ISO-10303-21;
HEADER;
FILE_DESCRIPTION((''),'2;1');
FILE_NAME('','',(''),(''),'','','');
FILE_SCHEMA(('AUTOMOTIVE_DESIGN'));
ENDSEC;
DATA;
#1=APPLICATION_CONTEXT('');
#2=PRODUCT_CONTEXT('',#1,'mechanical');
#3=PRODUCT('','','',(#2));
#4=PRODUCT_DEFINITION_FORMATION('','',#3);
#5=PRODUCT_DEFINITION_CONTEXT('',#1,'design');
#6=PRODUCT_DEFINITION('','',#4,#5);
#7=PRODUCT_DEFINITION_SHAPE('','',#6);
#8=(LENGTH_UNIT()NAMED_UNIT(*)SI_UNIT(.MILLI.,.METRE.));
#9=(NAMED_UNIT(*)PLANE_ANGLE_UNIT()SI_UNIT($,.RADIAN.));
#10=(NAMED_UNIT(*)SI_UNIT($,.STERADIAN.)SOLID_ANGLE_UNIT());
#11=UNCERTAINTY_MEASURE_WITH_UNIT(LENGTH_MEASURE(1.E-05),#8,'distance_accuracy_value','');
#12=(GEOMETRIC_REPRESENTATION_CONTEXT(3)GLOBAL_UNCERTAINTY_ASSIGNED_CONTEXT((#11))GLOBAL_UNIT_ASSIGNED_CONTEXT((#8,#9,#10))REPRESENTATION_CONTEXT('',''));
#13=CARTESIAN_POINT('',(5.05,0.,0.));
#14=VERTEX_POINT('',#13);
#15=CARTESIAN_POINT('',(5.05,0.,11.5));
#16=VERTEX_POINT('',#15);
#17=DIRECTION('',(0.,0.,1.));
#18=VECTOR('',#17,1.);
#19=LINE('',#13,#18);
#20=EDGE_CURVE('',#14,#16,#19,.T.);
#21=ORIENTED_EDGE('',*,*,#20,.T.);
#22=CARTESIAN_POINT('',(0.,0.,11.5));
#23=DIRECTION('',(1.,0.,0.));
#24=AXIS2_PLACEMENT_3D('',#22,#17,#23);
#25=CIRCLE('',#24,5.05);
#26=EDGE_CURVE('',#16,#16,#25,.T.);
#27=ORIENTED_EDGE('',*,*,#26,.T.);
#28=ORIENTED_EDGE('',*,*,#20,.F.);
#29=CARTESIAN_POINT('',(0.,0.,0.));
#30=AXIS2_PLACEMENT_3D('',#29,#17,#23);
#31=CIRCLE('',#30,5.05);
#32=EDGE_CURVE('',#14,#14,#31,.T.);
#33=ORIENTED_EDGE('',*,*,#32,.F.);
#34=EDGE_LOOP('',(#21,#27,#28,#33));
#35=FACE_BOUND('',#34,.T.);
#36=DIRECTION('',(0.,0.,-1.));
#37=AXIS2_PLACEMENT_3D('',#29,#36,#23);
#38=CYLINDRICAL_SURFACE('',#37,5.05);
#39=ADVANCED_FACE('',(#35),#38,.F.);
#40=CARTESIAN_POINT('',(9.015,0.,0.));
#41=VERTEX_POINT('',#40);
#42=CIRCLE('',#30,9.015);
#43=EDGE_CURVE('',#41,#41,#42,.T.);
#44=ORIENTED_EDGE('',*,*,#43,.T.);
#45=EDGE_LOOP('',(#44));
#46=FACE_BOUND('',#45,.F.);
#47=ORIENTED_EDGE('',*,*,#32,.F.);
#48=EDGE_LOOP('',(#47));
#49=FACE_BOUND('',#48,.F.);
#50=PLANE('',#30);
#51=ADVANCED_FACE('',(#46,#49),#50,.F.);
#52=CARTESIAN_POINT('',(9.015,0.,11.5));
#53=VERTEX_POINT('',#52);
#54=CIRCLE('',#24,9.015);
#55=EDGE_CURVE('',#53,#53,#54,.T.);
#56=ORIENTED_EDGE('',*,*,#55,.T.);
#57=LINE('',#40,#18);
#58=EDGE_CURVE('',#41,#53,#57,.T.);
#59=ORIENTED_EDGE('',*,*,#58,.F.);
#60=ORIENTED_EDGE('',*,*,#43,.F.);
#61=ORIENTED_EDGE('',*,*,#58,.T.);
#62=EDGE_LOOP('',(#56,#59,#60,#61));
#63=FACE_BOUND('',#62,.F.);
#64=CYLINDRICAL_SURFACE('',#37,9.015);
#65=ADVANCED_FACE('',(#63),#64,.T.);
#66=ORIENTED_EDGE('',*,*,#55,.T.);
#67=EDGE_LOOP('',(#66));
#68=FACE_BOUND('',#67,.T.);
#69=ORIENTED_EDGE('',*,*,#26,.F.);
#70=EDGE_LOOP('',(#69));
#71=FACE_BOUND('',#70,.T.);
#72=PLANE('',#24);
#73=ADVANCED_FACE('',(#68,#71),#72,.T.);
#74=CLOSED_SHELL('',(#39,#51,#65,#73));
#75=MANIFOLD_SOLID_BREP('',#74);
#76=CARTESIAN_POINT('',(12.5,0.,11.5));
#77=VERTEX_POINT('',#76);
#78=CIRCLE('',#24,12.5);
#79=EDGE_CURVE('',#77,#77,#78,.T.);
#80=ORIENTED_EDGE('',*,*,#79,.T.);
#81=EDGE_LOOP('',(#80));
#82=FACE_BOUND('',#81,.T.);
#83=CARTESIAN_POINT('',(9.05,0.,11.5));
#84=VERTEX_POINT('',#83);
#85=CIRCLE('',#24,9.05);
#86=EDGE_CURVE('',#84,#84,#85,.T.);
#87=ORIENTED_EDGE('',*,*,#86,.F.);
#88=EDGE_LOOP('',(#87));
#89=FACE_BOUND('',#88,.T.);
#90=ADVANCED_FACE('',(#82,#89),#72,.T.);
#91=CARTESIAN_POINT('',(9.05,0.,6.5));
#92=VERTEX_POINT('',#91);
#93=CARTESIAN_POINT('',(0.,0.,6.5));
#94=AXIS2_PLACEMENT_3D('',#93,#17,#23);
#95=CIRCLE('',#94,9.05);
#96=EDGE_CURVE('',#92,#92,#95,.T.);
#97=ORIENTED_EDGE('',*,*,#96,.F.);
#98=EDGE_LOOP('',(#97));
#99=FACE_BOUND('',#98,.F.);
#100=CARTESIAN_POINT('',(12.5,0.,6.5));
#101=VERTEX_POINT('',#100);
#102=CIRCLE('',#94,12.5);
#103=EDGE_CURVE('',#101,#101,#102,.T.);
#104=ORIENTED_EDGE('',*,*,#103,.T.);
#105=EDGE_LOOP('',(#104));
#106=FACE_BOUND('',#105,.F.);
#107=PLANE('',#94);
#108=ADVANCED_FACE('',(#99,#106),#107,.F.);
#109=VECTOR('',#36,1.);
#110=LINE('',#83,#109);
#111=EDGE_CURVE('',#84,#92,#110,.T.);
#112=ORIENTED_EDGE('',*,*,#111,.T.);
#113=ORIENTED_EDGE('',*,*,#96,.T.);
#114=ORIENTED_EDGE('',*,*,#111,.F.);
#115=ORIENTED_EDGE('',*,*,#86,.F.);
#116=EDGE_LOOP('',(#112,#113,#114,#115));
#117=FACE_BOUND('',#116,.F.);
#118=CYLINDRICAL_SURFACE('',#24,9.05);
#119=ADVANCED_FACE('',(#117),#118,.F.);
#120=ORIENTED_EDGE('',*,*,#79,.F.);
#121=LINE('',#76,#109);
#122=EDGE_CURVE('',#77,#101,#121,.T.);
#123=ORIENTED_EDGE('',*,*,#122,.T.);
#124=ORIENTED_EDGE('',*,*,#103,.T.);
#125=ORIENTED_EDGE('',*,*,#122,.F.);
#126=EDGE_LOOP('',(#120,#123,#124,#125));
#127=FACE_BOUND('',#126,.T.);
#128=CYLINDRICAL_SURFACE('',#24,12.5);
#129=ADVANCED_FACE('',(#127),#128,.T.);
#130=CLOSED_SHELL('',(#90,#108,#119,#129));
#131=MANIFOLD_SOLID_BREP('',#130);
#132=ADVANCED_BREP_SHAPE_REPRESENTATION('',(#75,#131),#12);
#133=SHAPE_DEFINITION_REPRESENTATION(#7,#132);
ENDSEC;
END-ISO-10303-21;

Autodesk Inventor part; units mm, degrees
ref_plane "YZ Plane" through (0, 0, 0) normal (1, 0, 0) x (0, 1, 0)
ref_plane "XZ Plane" through (0, 0, 0) normal (0, 1, 0) x (-1, 0, 0)
ref_plane "XY Plane" through (0, 0, 0) normal (0, 0, 1) x (1, 0, 0)
sketch "Sketch1" plane through (0, 0, 0) normal (0, 0, 1) x (1, 0, 0)
  circle A0 centre (0, 0) radius 5.05
  circle A1 centre (0, 0) radius 9.015
  dimension "d0" = 10.1
  dimension "d1" = 18.03
extrude "Extrusion1" add sketch "Sketch1" along normal blind 11.5
sketch "Sketch2" plane through (0, 0, 11.5) normal (0, 0, 1) x (1, 0, 0)
  circle A0 centre (0, 0) radius 12.5
  circle A1 centre (0, 0) radius 9.05
  dimension "d4" = 25
extrude "Extrusion2" add sketch "Sketch2" against normal blind 5
properties part number "CAD_C_outer_3DPrint"
